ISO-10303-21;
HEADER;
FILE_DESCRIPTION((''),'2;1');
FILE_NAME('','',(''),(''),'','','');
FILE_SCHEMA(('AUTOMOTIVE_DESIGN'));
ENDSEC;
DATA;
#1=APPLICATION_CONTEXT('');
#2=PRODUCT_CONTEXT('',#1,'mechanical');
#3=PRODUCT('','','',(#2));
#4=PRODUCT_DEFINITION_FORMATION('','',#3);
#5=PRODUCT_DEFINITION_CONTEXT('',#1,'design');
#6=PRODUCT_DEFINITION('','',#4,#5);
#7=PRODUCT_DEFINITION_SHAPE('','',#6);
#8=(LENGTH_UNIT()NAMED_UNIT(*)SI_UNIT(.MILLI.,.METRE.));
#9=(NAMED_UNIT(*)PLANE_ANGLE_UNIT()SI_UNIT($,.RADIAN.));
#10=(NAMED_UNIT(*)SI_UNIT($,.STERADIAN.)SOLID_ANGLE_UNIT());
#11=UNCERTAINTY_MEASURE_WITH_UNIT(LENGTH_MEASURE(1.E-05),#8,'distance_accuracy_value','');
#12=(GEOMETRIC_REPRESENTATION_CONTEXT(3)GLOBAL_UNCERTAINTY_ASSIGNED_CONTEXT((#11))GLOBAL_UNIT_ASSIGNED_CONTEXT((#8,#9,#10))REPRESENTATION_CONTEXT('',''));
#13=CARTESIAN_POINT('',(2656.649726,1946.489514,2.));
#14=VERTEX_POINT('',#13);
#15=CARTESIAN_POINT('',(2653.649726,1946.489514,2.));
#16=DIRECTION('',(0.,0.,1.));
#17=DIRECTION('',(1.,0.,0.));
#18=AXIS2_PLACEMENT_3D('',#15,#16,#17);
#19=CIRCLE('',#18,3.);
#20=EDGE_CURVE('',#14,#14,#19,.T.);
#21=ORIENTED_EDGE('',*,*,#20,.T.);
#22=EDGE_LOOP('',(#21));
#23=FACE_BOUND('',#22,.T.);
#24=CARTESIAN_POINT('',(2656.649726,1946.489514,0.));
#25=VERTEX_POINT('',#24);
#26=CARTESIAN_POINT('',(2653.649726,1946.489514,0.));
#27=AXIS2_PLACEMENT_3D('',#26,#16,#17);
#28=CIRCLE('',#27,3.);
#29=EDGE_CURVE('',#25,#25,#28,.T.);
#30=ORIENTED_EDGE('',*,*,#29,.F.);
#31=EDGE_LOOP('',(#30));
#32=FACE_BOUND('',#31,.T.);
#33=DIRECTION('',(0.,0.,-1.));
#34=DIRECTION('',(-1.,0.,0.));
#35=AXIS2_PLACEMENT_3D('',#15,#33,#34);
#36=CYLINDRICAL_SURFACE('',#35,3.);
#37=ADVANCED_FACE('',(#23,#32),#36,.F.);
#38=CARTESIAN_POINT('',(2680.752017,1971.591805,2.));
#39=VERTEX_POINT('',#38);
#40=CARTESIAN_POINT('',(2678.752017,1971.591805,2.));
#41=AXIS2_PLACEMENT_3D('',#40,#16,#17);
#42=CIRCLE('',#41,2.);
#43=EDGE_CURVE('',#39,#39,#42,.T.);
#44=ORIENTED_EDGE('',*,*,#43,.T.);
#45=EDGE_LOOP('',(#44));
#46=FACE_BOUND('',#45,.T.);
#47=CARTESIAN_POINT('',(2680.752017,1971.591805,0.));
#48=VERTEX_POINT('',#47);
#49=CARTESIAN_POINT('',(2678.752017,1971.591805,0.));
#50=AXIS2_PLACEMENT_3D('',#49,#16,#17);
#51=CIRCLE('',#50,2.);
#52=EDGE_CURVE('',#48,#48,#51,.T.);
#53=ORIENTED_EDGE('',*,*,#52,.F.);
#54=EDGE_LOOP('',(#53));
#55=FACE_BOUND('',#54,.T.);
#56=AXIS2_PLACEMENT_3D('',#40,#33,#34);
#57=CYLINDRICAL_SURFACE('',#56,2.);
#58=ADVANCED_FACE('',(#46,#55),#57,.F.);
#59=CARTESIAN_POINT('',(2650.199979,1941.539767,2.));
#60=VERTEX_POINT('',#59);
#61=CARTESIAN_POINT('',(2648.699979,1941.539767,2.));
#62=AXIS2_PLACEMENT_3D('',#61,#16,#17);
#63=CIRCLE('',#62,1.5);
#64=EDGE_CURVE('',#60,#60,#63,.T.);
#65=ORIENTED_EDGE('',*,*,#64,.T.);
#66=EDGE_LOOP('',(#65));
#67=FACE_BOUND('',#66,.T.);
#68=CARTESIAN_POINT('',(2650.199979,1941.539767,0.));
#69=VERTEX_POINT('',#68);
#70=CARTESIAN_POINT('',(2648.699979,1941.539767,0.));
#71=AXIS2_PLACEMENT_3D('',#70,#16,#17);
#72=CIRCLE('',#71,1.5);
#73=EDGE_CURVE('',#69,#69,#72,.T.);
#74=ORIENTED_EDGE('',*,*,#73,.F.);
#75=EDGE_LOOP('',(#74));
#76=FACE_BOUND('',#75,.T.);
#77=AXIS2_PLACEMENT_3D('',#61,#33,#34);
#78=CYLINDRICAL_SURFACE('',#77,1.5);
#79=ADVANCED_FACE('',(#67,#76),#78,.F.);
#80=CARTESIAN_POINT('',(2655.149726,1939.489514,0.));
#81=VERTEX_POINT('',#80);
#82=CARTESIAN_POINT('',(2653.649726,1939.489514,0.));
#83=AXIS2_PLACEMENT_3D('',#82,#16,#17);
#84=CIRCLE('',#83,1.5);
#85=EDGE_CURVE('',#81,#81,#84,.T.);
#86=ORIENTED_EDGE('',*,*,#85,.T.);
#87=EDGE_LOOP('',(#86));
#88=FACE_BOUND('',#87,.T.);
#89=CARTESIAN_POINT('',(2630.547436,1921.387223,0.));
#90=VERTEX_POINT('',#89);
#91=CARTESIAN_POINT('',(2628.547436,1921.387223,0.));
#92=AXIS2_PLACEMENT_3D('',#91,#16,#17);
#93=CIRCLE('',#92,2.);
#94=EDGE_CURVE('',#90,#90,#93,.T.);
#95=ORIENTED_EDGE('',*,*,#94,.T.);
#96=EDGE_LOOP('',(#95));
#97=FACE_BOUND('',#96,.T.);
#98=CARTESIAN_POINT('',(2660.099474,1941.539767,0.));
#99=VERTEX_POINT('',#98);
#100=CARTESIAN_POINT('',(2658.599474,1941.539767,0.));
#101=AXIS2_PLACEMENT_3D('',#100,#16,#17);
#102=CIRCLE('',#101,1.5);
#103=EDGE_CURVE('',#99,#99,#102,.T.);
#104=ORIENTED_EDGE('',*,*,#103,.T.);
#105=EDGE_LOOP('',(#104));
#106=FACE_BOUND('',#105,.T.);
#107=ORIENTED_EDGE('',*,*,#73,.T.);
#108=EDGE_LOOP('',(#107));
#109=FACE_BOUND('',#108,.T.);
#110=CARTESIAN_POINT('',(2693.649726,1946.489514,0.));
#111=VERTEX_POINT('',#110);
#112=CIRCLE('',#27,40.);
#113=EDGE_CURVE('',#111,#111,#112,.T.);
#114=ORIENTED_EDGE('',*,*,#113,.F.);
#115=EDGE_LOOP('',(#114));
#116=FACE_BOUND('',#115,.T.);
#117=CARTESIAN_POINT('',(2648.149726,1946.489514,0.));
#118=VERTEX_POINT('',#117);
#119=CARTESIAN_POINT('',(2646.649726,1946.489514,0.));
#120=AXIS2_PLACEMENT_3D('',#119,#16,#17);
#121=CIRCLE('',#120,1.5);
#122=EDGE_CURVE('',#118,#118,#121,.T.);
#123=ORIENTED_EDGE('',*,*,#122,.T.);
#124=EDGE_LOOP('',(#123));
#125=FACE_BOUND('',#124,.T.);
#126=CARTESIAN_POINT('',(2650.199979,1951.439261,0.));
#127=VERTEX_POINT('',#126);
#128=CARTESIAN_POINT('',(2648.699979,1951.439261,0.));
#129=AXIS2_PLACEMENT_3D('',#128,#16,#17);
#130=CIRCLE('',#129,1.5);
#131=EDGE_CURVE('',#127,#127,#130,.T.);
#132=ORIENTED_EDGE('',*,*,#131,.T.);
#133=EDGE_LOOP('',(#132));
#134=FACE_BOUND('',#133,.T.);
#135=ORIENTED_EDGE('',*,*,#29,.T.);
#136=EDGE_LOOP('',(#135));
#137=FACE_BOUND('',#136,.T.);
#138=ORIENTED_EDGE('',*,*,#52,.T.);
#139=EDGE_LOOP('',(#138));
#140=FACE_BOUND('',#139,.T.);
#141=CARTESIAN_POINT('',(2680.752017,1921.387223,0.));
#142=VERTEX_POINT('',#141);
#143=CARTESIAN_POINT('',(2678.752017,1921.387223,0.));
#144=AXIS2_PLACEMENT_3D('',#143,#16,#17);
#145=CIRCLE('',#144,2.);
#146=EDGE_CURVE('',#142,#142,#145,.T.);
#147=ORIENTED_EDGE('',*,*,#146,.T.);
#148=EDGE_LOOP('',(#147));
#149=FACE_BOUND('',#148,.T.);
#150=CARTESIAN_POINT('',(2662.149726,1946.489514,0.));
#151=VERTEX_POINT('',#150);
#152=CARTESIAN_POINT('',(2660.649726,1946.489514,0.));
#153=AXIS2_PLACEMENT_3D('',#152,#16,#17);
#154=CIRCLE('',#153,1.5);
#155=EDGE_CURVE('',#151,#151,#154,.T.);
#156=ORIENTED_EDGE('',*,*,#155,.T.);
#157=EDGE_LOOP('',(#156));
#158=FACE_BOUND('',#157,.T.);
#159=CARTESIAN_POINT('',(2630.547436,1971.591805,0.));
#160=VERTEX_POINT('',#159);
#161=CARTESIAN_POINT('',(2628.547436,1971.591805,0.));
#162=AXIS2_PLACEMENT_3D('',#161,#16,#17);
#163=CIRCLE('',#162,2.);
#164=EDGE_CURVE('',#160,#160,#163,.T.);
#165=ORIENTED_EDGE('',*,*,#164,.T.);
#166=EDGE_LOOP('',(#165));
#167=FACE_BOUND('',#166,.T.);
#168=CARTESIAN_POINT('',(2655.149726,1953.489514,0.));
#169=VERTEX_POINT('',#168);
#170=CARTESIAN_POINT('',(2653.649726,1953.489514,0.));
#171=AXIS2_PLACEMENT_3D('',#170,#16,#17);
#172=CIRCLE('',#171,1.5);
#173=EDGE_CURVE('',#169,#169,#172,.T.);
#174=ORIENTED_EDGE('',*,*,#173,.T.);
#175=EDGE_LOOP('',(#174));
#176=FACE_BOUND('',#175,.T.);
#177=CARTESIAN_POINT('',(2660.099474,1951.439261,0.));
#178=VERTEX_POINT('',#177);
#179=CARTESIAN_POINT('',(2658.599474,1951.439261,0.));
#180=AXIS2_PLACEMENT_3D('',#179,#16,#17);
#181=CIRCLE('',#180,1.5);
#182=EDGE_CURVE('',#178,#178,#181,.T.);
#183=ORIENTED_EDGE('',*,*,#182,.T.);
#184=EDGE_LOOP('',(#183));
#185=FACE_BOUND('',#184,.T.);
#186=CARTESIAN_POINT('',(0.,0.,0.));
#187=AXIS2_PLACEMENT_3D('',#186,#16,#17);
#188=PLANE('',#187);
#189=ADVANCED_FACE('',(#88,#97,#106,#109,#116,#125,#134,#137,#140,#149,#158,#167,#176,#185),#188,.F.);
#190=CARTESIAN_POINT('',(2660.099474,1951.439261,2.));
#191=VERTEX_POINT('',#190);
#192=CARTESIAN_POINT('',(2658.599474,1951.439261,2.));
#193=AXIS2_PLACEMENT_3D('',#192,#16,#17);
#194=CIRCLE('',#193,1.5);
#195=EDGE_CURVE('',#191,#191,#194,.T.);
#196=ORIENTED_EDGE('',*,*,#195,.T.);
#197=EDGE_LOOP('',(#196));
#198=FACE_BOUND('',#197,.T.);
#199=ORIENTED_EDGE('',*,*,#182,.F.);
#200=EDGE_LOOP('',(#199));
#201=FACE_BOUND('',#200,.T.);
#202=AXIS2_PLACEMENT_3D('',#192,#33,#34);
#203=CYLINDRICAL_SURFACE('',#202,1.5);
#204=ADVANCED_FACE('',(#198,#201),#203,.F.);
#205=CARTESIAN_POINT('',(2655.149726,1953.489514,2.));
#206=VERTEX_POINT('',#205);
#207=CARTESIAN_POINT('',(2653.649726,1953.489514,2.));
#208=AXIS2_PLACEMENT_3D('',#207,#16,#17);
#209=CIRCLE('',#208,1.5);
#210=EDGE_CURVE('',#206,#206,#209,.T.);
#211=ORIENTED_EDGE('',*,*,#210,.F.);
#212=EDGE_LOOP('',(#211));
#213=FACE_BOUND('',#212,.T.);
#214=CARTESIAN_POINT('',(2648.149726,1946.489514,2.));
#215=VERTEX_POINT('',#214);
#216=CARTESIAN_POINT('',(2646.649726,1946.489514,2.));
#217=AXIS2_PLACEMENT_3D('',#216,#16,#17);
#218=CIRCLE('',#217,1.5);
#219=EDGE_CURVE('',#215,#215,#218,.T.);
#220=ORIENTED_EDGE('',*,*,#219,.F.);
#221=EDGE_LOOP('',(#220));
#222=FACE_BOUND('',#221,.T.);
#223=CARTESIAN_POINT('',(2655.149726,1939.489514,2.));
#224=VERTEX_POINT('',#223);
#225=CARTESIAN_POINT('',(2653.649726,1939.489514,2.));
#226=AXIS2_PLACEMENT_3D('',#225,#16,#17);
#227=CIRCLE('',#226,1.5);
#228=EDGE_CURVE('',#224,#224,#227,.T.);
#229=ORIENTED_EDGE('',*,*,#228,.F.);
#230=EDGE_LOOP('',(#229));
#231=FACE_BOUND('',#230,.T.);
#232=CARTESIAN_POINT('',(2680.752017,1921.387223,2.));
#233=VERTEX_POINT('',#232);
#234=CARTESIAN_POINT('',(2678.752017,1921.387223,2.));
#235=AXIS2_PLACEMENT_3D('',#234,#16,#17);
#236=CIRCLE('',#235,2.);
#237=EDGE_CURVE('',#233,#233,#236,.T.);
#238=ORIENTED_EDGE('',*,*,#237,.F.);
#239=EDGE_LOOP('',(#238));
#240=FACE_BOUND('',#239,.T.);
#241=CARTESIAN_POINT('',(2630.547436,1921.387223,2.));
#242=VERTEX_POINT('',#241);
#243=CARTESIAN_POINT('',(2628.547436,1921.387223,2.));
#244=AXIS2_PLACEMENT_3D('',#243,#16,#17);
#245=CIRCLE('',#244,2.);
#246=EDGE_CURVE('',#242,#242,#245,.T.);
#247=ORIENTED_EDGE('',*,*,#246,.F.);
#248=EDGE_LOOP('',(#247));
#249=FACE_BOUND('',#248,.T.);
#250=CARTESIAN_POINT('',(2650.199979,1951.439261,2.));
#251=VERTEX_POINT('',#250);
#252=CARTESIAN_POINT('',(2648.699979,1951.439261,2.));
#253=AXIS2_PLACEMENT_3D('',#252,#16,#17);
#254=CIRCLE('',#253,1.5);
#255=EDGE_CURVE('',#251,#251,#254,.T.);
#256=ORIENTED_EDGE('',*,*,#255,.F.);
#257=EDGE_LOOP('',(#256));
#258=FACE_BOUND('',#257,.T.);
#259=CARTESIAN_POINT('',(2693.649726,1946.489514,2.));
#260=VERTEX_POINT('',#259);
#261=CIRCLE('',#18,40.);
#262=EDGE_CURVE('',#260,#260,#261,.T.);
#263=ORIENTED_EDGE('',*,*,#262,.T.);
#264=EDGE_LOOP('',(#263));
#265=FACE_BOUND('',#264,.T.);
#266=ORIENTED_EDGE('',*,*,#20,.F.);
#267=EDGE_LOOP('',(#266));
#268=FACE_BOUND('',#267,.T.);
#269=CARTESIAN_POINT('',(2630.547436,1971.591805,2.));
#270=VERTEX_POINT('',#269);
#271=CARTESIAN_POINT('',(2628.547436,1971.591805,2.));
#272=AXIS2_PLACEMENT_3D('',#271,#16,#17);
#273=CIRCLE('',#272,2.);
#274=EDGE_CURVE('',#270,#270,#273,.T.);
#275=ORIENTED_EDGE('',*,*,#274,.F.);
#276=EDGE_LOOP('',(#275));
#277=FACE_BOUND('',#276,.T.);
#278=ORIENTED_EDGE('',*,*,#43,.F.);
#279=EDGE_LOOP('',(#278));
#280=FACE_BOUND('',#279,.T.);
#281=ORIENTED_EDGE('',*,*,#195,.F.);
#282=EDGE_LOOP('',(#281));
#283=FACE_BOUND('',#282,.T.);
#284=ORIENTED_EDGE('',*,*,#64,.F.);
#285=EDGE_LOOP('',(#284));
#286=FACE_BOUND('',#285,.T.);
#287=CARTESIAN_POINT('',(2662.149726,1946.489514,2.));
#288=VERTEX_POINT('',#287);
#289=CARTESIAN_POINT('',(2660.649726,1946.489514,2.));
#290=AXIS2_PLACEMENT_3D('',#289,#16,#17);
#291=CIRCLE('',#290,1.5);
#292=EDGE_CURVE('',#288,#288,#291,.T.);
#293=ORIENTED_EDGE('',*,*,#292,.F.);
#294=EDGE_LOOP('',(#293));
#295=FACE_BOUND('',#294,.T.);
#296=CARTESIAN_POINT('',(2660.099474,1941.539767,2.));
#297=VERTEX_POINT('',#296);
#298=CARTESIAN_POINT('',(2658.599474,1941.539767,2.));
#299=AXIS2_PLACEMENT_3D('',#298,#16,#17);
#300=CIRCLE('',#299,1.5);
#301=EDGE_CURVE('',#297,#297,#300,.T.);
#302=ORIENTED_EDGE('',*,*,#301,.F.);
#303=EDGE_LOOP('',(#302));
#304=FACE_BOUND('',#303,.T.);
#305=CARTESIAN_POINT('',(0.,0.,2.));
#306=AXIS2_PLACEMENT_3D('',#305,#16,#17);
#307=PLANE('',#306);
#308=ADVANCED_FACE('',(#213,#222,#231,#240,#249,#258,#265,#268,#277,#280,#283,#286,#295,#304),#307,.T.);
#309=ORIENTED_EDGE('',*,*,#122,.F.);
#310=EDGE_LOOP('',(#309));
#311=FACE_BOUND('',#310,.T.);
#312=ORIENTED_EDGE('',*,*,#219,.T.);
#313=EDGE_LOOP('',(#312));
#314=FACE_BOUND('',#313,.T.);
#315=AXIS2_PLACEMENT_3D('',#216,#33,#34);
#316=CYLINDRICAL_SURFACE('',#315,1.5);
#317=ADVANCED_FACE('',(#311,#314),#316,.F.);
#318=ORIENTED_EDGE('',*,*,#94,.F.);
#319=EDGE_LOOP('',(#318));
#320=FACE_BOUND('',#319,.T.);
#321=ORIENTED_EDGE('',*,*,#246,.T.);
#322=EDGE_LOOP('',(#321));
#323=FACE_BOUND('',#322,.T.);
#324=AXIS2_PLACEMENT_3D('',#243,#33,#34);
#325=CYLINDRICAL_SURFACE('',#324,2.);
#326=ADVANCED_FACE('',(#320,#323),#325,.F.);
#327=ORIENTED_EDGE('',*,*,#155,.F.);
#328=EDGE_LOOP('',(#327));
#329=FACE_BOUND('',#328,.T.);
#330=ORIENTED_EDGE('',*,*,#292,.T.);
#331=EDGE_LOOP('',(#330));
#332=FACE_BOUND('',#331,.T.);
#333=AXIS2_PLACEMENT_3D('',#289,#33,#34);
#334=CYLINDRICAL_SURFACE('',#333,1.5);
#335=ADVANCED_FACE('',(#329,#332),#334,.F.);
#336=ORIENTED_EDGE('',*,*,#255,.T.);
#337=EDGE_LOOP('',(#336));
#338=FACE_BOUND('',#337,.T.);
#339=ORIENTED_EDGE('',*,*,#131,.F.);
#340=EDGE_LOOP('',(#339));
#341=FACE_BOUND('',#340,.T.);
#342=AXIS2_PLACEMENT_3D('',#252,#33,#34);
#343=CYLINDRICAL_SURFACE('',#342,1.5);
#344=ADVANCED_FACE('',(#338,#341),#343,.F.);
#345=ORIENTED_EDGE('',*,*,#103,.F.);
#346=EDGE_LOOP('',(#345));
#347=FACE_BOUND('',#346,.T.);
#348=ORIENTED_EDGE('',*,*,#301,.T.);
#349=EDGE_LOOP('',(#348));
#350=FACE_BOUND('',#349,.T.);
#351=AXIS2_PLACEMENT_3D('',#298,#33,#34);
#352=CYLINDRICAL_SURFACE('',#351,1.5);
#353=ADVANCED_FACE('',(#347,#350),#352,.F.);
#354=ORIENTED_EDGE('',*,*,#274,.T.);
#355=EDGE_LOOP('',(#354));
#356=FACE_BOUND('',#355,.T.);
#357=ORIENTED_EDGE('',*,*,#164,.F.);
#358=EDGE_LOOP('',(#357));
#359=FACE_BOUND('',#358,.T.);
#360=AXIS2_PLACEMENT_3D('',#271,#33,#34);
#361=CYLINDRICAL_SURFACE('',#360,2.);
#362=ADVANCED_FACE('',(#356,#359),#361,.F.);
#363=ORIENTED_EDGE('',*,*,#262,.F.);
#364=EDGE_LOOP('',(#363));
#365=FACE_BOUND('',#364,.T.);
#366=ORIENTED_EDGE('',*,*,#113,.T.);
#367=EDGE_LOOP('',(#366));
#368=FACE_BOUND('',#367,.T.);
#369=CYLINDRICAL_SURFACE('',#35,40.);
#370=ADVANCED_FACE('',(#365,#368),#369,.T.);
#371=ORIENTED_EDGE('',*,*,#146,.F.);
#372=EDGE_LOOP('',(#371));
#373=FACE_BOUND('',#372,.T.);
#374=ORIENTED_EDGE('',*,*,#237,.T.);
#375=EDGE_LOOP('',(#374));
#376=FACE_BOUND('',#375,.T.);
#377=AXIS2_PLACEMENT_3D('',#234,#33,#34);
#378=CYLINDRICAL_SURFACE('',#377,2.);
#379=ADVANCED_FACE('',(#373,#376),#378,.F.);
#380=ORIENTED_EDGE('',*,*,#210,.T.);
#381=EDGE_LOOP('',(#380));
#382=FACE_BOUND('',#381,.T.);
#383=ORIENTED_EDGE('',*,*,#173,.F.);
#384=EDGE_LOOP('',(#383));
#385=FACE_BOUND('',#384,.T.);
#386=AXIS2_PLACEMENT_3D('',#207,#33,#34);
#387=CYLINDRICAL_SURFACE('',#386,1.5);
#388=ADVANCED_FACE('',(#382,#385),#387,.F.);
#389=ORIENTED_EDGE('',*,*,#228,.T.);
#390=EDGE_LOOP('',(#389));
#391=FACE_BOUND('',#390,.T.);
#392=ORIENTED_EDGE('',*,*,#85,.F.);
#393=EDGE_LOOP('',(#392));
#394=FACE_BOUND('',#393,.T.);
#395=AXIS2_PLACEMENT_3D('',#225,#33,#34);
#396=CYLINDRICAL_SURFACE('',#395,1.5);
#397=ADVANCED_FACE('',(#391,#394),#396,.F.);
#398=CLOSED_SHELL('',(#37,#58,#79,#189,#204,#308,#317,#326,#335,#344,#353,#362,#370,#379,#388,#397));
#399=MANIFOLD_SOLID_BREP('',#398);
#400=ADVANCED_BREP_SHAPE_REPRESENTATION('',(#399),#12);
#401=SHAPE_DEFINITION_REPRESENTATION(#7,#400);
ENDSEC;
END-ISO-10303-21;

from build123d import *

# Parameters (mm, degrees)
MODEL_R         = 40
MODEL_R_2       = 1.5
MODEL_R_3       = 3
MODEL_R_4       = 2
EXTRUDE_1_DEPTH = 2


with BuildPart() as part:
    # Model → 凸台-拉伸1 (new body)
    with BuildSketch(Plane.XY):
        with Locations((2653.649726285, 1946.48951402)):
            Circle(MODEL_R)
        with Locations((2658.599473753, 1951.439261489)):
            Circle(MODEL_R_2, mode=Mode.SUBTRACT)
        with Locations((2648.699978817, 1951.439261489)):
            Circle(MODEL_R_2, mode=Mode.SUBTRACT)
        with Locations((2658.599473753, 1941.539766552)):
            Circle(MODEL_R_2, mode=Mode.SUBTRACT)
        with Locations((2648.699978817, 1941.539766552)):
            Circle(MODEL_R_2, mode=Mode.SUBTRACT)
        with Locations((2653.649726285, 1946.48951402)):
            Circle(MODEL_R_3, mode=Mode.SUBTRACT)
        with Locations((2660.649726285, 1946.48951402)):
            Circle(MODEL_R_2, mode=Mode.SUBTRACT)
        with Locations((2646.649726285, 1946.48951402)):
            Circle(MODEL_R_2, mode=Mode.SUBTRACT)
        with Locations((2678.752017017, 1921.387223288)):
            Circle(MODEL_R_4, mode=Mode.SUBTRACT)
        with Locations((2628.547435553, 1921.387223288)):
            Circle(MODEL_R_4, mode=Mode.SUBTRACT)
        with Locations((2653.649726285, 1953.48951402)):
            Circle(MODEL_R_2, mode=Mode.SUBTRACT)
        with Locations((2653.649726285, 1939.48951402)):
            Circle(MODEL_R_2, mode=Mode.SUBTRACT)
        with Locations((2628.547435553, 1971.591804753)):
            Circle(MODEL_R_4, mode=Mode.SUBTRACT)
        with Locations((2678.752017017, 1971.591804753)):
            Circle(MODEL_R_4, mode=Mode.SUBTRACT)
    extrude(amount=EXTRUDE_1_DEPTH)


solid = part.part
